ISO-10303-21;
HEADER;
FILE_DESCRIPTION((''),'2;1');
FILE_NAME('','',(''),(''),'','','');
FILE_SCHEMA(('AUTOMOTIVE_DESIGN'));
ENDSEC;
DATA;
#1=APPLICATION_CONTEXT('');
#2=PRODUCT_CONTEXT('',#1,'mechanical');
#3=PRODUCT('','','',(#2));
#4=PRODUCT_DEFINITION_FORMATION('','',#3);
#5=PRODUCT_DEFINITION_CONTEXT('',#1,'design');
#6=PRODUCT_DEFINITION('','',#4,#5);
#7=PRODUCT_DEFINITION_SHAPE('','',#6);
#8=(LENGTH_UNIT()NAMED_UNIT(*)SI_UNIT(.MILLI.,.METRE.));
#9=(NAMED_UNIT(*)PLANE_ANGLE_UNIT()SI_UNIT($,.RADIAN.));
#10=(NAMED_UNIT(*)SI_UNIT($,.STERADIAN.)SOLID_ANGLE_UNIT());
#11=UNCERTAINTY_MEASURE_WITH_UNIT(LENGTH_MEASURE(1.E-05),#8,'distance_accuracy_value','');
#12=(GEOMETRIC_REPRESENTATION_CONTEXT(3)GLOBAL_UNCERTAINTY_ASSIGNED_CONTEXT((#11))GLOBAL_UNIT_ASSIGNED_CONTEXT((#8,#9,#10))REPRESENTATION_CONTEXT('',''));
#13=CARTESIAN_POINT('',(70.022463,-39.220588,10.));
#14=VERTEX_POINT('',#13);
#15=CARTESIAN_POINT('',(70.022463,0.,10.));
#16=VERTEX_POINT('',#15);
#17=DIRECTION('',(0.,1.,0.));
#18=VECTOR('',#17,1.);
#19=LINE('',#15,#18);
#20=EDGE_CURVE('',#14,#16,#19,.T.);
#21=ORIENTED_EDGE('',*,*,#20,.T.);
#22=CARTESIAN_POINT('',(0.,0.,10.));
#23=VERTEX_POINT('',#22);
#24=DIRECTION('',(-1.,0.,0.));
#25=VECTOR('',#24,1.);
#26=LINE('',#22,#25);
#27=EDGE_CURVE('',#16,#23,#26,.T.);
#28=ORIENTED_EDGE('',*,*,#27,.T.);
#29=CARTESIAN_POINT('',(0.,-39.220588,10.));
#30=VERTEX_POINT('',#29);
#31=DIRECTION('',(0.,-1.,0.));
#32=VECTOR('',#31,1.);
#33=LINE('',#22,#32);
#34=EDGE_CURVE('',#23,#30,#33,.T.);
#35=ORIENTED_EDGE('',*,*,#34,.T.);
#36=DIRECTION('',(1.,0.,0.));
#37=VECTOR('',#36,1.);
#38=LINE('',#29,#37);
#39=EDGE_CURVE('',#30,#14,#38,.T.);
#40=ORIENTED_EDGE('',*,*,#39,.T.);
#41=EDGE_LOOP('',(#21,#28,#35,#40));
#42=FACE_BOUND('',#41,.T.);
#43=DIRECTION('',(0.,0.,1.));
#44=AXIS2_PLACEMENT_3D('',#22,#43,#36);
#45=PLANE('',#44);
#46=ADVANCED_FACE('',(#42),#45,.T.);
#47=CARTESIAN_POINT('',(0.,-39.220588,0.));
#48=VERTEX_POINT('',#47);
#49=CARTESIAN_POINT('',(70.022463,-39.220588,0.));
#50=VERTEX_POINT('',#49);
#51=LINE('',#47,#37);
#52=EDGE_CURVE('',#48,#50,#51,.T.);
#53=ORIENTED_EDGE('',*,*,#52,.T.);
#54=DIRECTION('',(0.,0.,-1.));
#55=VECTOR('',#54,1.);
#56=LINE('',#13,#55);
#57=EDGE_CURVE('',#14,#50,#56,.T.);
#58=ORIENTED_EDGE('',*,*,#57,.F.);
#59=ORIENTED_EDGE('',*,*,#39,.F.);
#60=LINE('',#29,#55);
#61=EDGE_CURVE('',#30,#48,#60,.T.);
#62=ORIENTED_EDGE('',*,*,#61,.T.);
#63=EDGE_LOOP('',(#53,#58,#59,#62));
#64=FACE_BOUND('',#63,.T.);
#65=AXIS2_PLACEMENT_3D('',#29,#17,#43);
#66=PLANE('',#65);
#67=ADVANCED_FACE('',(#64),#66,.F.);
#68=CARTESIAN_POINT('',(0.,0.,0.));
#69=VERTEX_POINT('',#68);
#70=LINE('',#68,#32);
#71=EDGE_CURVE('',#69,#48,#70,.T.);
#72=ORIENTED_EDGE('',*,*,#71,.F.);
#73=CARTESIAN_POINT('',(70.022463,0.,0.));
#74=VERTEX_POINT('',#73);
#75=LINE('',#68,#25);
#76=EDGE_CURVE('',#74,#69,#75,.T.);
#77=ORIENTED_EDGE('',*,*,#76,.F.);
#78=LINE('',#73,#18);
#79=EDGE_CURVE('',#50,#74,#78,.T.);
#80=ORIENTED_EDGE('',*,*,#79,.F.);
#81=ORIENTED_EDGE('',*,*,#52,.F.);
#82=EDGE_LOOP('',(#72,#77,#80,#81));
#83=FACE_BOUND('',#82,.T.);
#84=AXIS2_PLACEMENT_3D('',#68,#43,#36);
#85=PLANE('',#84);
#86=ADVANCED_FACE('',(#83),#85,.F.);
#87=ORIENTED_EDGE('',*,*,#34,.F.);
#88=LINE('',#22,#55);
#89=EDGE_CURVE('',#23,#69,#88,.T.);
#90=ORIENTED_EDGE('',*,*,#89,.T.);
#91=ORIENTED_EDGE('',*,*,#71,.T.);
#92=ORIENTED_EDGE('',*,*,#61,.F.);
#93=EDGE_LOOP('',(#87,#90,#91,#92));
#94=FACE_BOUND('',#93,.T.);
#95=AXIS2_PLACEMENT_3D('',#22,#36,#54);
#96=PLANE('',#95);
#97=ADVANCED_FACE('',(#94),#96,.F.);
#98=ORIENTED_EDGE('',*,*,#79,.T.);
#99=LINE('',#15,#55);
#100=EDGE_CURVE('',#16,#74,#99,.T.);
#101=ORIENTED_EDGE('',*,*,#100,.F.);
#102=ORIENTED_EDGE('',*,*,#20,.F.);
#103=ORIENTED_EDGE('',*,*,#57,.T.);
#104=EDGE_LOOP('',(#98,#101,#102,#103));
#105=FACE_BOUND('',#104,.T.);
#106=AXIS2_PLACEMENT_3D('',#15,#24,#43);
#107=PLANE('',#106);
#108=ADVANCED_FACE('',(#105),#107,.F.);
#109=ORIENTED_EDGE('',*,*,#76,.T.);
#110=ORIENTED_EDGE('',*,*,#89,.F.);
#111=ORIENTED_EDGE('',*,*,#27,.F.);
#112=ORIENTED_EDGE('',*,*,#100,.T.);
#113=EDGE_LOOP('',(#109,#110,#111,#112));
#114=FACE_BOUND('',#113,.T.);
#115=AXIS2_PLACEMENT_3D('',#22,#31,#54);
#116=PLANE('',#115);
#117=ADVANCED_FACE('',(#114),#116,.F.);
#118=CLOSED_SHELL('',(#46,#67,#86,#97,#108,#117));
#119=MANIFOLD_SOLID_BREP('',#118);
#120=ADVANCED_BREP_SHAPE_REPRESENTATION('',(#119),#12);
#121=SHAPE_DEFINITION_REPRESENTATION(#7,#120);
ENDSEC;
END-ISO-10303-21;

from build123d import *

# Parameters (mm, degrees)
IZIM1_W                     = 70.022462904
IZIM1_H                     = 39.220588235
Y_KSEKLIK_EKSTR_ZYON1_DEPTH = 10


with BuildPart() as part:
    # Çizim1 → Yükseklik-Ekstrüzyon1 (new body)
    with BuildSketch(Plane.XY):
        with Locations((35.011231452, -19.610294118)):
            Rectangle(IZIM1_W, IZIM1_H)
    extrude(amount=Y_KSEKLIK_EKSTR_ZYON1_DEPTH)


solid = part.part
